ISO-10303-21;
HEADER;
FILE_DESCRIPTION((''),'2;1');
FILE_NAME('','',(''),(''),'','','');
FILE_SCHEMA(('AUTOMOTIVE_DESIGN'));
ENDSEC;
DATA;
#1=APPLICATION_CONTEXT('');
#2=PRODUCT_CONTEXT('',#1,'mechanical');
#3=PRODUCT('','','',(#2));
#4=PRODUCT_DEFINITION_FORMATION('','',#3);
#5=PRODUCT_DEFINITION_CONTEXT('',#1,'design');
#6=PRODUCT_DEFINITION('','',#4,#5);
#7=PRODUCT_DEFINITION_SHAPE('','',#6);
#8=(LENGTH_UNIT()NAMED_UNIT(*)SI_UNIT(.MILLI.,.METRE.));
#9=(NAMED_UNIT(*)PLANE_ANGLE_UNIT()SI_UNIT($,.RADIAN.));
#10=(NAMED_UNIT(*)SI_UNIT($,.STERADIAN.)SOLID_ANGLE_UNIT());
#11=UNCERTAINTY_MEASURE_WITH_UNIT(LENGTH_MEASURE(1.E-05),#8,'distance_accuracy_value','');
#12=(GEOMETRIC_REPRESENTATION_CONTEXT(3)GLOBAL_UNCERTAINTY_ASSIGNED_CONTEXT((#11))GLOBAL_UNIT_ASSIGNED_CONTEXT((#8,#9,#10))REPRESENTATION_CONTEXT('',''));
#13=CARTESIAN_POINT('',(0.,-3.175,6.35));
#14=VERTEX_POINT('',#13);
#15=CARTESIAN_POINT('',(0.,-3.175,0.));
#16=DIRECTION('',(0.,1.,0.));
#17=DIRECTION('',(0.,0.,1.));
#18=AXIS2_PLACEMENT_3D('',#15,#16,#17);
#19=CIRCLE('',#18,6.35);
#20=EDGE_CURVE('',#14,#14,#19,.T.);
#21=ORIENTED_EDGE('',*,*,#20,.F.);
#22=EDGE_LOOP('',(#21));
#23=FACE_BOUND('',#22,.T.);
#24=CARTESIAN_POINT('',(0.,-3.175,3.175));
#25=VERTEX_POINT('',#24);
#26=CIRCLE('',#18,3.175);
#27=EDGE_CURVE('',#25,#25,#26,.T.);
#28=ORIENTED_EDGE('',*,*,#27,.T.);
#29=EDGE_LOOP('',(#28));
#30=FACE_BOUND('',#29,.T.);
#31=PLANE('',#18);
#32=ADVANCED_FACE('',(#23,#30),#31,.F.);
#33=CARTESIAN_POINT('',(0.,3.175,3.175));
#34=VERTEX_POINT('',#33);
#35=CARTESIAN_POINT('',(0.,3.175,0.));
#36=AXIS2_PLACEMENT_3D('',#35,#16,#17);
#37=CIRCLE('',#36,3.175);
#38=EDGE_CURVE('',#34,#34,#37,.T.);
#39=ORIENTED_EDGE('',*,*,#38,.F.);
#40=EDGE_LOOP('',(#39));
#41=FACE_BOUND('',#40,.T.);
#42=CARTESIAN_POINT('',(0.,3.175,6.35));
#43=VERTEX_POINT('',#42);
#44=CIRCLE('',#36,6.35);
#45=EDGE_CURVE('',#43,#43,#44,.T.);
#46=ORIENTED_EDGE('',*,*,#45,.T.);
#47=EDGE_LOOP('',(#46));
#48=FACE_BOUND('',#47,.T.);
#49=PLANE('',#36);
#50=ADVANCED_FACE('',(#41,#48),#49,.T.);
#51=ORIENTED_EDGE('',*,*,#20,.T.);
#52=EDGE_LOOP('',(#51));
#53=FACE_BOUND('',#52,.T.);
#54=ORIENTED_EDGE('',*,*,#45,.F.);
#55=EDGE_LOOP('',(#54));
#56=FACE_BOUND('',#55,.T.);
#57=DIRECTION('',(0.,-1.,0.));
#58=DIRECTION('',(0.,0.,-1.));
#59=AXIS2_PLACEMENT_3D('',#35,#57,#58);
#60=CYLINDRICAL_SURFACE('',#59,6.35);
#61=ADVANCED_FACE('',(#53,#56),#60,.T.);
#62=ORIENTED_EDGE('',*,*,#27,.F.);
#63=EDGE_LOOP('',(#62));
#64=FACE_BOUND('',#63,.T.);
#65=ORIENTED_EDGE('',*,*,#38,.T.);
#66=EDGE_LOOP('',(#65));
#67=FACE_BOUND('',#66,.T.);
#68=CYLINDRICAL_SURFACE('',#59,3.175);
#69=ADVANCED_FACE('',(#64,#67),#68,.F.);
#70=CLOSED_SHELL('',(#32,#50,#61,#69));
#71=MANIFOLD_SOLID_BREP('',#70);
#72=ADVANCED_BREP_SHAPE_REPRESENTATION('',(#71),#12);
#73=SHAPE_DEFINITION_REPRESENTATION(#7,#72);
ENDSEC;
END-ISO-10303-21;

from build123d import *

# Parameters (mm, degrees)
SKETCH1_R           = 6.35
SKETCH1_R_2         = 3.175
BOSS_EXTRUDE1_DEPTH = 3.175


with BuildPart() as part:
    # Sketch1 → Boss-Extrude1 (new, symmetric)
    with BuildSketch(Plane(origin=(0, 0, 0), x_dir=(1, 0, 0), z_dir=(0, 1, 0))):
        Circle(SKETCH1_R)
        Circle(SKETCH1_R_2, mode=Mode.SUBTRACT)
    extrude(amount=BOSS_EXTRUDE1_DEPTH, both=True)


solid = part.part
